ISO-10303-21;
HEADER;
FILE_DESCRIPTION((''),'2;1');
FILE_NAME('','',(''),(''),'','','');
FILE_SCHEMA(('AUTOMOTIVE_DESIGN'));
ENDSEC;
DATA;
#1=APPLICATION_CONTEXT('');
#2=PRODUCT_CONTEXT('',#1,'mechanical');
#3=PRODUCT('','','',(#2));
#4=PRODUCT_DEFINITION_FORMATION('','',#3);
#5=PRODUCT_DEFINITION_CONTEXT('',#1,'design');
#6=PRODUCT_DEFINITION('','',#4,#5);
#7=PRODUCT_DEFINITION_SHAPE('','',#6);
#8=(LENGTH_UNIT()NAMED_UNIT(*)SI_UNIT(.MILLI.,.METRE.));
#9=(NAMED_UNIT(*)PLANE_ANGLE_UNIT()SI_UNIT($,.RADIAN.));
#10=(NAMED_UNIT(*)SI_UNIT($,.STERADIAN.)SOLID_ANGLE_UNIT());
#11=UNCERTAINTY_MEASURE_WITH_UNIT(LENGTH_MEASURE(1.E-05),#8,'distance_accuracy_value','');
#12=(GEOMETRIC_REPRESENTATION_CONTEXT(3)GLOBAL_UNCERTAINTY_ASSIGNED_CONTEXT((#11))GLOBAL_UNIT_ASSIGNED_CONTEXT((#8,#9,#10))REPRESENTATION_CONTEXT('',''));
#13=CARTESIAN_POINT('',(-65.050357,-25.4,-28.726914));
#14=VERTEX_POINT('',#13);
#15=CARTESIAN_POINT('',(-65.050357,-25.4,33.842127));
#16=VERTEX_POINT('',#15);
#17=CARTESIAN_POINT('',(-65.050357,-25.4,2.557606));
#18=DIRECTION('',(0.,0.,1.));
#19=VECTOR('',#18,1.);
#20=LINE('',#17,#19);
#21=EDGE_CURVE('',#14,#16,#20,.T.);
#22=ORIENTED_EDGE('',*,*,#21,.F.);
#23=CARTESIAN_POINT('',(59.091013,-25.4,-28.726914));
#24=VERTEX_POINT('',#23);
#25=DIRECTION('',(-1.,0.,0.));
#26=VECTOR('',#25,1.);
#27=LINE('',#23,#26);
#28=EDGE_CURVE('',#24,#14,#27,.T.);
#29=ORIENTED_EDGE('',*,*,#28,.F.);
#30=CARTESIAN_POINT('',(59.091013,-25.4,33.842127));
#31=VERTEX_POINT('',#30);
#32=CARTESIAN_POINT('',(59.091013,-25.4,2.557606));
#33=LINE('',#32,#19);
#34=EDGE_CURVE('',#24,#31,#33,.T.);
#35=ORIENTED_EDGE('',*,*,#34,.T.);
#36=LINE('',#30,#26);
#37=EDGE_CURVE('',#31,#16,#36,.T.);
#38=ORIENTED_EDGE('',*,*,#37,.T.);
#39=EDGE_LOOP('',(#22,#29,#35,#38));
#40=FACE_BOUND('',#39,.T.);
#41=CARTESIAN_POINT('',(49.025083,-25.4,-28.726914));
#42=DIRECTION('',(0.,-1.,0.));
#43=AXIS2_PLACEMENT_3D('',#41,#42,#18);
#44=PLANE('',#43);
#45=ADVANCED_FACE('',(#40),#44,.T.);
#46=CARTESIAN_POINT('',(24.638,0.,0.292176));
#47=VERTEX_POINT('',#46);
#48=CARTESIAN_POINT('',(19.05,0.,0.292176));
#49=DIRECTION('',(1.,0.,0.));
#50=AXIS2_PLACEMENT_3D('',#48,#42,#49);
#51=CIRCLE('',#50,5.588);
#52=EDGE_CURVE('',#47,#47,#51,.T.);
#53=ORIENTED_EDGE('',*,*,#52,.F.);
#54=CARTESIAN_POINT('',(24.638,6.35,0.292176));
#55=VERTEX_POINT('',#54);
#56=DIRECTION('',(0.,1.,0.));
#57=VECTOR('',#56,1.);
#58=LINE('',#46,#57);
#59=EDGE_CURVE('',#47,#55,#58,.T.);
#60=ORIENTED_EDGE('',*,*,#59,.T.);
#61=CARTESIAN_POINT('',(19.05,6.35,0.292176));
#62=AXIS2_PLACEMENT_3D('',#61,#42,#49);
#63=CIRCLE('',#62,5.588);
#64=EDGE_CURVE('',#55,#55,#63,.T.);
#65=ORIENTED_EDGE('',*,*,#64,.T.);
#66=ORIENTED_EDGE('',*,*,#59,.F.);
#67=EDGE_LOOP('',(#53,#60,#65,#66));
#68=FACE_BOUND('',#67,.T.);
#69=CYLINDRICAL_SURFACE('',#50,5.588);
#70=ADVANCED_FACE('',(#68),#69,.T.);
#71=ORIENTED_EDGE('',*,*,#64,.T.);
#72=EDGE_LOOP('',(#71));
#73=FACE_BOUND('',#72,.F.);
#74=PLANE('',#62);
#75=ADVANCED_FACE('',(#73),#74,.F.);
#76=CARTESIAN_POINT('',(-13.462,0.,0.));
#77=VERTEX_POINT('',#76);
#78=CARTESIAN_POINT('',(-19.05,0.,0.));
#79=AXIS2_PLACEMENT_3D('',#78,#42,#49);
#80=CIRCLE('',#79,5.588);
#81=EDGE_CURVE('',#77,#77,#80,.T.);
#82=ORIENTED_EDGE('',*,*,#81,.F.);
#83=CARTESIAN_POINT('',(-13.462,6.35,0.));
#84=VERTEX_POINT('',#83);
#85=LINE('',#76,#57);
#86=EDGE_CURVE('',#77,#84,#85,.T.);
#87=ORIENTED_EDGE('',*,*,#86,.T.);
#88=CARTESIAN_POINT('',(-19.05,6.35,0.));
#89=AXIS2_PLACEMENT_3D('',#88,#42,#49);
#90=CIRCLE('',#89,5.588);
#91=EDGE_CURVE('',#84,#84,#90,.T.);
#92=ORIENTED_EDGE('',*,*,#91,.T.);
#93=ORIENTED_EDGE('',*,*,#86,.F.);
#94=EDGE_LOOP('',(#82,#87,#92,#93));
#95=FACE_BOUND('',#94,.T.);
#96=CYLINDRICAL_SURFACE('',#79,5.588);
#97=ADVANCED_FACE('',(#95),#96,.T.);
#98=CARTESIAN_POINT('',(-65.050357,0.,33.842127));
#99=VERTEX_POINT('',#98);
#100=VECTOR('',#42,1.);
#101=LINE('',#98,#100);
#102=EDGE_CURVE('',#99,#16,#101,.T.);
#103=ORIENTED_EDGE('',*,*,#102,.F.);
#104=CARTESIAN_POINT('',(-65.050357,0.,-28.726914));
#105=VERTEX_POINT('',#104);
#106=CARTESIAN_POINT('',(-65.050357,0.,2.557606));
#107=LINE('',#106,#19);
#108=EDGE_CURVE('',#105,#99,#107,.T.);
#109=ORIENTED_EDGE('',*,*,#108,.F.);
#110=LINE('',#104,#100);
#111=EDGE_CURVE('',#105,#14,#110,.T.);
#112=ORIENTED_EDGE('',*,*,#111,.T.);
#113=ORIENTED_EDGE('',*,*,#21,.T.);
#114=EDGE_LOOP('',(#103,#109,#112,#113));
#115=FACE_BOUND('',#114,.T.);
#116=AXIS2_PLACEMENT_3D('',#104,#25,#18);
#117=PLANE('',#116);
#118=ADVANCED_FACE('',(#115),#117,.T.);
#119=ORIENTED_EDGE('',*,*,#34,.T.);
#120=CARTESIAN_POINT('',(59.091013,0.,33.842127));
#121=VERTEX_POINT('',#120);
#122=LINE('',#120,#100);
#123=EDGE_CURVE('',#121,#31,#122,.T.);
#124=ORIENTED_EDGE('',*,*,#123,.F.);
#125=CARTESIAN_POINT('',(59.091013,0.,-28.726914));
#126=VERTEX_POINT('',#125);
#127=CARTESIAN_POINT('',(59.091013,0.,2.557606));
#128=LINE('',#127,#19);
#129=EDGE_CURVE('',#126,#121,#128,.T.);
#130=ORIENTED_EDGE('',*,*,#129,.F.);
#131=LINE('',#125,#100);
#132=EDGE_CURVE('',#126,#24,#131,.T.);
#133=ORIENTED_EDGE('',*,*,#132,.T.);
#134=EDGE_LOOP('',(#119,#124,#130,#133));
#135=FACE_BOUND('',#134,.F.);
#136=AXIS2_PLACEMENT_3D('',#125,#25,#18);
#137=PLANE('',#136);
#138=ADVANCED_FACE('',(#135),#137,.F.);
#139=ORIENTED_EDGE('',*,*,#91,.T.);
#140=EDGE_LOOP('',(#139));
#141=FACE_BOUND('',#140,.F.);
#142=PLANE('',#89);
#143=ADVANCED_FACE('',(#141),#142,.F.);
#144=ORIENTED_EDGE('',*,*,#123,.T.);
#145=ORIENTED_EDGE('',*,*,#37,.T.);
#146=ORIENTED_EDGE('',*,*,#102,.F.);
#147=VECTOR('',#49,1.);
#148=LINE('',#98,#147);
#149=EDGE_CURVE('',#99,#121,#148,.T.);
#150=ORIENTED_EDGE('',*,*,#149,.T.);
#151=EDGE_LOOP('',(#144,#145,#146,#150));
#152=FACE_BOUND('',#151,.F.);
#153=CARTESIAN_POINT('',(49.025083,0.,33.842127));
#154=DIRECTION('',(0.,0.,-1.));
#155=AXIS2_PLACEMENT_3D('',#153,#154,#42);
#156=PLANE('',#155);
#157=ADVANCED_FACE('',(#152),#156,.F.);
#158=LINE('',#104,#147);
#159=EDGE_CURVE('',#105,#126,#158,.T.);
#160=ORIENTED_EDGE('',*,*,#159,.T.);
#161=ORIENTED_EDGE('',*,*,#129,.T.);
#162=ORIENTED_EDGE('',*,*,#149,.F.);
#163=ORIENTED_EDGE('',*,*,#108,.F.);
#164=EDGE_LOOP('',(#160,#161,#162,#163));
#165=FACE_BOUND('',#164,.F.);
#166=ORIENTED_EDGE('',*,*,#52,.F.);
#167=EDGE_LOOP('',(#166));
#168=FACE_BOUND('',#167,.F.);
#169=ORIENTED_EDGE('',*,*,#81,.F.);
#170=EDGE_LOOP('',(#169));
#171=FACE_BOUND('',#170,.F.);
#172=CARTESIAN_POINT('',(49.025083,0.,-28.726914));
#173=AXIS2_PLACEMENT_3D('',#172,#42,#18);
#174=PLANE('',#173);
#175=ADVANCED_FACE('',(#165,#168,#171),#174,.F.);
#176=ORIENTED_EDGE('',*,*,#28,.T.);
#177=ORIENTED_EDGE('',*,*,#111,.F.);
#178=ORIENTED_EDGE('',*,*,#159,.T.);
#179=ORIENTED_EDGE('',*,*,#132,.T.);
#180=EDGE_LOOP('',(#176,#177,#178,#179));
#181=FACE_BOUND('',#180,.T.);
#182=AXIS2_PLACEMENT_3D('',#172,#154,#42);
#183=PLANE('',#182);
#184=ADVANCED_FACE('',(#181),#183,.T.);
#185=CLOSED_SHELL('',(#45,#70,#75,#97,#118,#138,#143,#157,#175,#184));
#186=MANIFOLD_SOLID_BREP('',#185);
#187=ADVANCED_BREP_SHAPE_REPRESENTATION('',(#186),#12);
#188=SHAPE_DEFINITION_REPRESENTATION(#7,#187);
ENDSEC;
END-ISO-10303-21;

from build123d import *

# Parameters (mm, degrees)
F0_W     = 88.6754395919
F0_H     = 62.5690418352
F0_R     = 5.588
F1_DEPTH = 25.4
F2_DEPTH = 6.35
F3_DEPTH = 25.4
F4_DEPTH = 10.06593


with BuildPart() as f1:
    # F0 (on Front) → F1 (new body)
    with BuildSketch(Plane.XZ):
        with Locations((4.6873632818, 2.5576064363)):
            Rectangle(F0_W, F0_H)
        with Locations((-19.05, 0)):
            Circle(F0_R, mode=Mode.SUBTRACT)
        with Locations((19.05, 0.2921762194)):
            Circle(F0_R, mode=Mode.SUBTRACT)
        with Locations((-19.05, 0)):
            Circle(F0_R)
        with Locations((19.05, 0.2921762194)):
            Circle(F0_R)
    extrude(amount=F1_DEPTH)

    # F0 (on Front) → F2 (join)
    with BuildSketch(Plane.XZ):
        with Locations((19.05, 0.2921762194)):
            Circle(F0_R)
        with Locations((-19.05, 0)):
            Circle(F0_R)
    extrude(amount=-F2_DEPTH)

    # F3 (add): a face of the model
    f3_faces = [f1.faces().sort_by_distance(p)[0] for p in [
        (-39.6503565141, -12.7, 2.5576064363),
    ]]
    extrude(f3_faces, amount=F3_DEPTH)

    # F4 (add): a face of the model
    f4_faces = [f1.faces().sort_by_distance(p)[0] for p in [
        (49.0250830778, -12.7, 2.5576064363),
    ]]
    extrude(f4_faces, amount=F4_DEPTH)


solid = f1.part
